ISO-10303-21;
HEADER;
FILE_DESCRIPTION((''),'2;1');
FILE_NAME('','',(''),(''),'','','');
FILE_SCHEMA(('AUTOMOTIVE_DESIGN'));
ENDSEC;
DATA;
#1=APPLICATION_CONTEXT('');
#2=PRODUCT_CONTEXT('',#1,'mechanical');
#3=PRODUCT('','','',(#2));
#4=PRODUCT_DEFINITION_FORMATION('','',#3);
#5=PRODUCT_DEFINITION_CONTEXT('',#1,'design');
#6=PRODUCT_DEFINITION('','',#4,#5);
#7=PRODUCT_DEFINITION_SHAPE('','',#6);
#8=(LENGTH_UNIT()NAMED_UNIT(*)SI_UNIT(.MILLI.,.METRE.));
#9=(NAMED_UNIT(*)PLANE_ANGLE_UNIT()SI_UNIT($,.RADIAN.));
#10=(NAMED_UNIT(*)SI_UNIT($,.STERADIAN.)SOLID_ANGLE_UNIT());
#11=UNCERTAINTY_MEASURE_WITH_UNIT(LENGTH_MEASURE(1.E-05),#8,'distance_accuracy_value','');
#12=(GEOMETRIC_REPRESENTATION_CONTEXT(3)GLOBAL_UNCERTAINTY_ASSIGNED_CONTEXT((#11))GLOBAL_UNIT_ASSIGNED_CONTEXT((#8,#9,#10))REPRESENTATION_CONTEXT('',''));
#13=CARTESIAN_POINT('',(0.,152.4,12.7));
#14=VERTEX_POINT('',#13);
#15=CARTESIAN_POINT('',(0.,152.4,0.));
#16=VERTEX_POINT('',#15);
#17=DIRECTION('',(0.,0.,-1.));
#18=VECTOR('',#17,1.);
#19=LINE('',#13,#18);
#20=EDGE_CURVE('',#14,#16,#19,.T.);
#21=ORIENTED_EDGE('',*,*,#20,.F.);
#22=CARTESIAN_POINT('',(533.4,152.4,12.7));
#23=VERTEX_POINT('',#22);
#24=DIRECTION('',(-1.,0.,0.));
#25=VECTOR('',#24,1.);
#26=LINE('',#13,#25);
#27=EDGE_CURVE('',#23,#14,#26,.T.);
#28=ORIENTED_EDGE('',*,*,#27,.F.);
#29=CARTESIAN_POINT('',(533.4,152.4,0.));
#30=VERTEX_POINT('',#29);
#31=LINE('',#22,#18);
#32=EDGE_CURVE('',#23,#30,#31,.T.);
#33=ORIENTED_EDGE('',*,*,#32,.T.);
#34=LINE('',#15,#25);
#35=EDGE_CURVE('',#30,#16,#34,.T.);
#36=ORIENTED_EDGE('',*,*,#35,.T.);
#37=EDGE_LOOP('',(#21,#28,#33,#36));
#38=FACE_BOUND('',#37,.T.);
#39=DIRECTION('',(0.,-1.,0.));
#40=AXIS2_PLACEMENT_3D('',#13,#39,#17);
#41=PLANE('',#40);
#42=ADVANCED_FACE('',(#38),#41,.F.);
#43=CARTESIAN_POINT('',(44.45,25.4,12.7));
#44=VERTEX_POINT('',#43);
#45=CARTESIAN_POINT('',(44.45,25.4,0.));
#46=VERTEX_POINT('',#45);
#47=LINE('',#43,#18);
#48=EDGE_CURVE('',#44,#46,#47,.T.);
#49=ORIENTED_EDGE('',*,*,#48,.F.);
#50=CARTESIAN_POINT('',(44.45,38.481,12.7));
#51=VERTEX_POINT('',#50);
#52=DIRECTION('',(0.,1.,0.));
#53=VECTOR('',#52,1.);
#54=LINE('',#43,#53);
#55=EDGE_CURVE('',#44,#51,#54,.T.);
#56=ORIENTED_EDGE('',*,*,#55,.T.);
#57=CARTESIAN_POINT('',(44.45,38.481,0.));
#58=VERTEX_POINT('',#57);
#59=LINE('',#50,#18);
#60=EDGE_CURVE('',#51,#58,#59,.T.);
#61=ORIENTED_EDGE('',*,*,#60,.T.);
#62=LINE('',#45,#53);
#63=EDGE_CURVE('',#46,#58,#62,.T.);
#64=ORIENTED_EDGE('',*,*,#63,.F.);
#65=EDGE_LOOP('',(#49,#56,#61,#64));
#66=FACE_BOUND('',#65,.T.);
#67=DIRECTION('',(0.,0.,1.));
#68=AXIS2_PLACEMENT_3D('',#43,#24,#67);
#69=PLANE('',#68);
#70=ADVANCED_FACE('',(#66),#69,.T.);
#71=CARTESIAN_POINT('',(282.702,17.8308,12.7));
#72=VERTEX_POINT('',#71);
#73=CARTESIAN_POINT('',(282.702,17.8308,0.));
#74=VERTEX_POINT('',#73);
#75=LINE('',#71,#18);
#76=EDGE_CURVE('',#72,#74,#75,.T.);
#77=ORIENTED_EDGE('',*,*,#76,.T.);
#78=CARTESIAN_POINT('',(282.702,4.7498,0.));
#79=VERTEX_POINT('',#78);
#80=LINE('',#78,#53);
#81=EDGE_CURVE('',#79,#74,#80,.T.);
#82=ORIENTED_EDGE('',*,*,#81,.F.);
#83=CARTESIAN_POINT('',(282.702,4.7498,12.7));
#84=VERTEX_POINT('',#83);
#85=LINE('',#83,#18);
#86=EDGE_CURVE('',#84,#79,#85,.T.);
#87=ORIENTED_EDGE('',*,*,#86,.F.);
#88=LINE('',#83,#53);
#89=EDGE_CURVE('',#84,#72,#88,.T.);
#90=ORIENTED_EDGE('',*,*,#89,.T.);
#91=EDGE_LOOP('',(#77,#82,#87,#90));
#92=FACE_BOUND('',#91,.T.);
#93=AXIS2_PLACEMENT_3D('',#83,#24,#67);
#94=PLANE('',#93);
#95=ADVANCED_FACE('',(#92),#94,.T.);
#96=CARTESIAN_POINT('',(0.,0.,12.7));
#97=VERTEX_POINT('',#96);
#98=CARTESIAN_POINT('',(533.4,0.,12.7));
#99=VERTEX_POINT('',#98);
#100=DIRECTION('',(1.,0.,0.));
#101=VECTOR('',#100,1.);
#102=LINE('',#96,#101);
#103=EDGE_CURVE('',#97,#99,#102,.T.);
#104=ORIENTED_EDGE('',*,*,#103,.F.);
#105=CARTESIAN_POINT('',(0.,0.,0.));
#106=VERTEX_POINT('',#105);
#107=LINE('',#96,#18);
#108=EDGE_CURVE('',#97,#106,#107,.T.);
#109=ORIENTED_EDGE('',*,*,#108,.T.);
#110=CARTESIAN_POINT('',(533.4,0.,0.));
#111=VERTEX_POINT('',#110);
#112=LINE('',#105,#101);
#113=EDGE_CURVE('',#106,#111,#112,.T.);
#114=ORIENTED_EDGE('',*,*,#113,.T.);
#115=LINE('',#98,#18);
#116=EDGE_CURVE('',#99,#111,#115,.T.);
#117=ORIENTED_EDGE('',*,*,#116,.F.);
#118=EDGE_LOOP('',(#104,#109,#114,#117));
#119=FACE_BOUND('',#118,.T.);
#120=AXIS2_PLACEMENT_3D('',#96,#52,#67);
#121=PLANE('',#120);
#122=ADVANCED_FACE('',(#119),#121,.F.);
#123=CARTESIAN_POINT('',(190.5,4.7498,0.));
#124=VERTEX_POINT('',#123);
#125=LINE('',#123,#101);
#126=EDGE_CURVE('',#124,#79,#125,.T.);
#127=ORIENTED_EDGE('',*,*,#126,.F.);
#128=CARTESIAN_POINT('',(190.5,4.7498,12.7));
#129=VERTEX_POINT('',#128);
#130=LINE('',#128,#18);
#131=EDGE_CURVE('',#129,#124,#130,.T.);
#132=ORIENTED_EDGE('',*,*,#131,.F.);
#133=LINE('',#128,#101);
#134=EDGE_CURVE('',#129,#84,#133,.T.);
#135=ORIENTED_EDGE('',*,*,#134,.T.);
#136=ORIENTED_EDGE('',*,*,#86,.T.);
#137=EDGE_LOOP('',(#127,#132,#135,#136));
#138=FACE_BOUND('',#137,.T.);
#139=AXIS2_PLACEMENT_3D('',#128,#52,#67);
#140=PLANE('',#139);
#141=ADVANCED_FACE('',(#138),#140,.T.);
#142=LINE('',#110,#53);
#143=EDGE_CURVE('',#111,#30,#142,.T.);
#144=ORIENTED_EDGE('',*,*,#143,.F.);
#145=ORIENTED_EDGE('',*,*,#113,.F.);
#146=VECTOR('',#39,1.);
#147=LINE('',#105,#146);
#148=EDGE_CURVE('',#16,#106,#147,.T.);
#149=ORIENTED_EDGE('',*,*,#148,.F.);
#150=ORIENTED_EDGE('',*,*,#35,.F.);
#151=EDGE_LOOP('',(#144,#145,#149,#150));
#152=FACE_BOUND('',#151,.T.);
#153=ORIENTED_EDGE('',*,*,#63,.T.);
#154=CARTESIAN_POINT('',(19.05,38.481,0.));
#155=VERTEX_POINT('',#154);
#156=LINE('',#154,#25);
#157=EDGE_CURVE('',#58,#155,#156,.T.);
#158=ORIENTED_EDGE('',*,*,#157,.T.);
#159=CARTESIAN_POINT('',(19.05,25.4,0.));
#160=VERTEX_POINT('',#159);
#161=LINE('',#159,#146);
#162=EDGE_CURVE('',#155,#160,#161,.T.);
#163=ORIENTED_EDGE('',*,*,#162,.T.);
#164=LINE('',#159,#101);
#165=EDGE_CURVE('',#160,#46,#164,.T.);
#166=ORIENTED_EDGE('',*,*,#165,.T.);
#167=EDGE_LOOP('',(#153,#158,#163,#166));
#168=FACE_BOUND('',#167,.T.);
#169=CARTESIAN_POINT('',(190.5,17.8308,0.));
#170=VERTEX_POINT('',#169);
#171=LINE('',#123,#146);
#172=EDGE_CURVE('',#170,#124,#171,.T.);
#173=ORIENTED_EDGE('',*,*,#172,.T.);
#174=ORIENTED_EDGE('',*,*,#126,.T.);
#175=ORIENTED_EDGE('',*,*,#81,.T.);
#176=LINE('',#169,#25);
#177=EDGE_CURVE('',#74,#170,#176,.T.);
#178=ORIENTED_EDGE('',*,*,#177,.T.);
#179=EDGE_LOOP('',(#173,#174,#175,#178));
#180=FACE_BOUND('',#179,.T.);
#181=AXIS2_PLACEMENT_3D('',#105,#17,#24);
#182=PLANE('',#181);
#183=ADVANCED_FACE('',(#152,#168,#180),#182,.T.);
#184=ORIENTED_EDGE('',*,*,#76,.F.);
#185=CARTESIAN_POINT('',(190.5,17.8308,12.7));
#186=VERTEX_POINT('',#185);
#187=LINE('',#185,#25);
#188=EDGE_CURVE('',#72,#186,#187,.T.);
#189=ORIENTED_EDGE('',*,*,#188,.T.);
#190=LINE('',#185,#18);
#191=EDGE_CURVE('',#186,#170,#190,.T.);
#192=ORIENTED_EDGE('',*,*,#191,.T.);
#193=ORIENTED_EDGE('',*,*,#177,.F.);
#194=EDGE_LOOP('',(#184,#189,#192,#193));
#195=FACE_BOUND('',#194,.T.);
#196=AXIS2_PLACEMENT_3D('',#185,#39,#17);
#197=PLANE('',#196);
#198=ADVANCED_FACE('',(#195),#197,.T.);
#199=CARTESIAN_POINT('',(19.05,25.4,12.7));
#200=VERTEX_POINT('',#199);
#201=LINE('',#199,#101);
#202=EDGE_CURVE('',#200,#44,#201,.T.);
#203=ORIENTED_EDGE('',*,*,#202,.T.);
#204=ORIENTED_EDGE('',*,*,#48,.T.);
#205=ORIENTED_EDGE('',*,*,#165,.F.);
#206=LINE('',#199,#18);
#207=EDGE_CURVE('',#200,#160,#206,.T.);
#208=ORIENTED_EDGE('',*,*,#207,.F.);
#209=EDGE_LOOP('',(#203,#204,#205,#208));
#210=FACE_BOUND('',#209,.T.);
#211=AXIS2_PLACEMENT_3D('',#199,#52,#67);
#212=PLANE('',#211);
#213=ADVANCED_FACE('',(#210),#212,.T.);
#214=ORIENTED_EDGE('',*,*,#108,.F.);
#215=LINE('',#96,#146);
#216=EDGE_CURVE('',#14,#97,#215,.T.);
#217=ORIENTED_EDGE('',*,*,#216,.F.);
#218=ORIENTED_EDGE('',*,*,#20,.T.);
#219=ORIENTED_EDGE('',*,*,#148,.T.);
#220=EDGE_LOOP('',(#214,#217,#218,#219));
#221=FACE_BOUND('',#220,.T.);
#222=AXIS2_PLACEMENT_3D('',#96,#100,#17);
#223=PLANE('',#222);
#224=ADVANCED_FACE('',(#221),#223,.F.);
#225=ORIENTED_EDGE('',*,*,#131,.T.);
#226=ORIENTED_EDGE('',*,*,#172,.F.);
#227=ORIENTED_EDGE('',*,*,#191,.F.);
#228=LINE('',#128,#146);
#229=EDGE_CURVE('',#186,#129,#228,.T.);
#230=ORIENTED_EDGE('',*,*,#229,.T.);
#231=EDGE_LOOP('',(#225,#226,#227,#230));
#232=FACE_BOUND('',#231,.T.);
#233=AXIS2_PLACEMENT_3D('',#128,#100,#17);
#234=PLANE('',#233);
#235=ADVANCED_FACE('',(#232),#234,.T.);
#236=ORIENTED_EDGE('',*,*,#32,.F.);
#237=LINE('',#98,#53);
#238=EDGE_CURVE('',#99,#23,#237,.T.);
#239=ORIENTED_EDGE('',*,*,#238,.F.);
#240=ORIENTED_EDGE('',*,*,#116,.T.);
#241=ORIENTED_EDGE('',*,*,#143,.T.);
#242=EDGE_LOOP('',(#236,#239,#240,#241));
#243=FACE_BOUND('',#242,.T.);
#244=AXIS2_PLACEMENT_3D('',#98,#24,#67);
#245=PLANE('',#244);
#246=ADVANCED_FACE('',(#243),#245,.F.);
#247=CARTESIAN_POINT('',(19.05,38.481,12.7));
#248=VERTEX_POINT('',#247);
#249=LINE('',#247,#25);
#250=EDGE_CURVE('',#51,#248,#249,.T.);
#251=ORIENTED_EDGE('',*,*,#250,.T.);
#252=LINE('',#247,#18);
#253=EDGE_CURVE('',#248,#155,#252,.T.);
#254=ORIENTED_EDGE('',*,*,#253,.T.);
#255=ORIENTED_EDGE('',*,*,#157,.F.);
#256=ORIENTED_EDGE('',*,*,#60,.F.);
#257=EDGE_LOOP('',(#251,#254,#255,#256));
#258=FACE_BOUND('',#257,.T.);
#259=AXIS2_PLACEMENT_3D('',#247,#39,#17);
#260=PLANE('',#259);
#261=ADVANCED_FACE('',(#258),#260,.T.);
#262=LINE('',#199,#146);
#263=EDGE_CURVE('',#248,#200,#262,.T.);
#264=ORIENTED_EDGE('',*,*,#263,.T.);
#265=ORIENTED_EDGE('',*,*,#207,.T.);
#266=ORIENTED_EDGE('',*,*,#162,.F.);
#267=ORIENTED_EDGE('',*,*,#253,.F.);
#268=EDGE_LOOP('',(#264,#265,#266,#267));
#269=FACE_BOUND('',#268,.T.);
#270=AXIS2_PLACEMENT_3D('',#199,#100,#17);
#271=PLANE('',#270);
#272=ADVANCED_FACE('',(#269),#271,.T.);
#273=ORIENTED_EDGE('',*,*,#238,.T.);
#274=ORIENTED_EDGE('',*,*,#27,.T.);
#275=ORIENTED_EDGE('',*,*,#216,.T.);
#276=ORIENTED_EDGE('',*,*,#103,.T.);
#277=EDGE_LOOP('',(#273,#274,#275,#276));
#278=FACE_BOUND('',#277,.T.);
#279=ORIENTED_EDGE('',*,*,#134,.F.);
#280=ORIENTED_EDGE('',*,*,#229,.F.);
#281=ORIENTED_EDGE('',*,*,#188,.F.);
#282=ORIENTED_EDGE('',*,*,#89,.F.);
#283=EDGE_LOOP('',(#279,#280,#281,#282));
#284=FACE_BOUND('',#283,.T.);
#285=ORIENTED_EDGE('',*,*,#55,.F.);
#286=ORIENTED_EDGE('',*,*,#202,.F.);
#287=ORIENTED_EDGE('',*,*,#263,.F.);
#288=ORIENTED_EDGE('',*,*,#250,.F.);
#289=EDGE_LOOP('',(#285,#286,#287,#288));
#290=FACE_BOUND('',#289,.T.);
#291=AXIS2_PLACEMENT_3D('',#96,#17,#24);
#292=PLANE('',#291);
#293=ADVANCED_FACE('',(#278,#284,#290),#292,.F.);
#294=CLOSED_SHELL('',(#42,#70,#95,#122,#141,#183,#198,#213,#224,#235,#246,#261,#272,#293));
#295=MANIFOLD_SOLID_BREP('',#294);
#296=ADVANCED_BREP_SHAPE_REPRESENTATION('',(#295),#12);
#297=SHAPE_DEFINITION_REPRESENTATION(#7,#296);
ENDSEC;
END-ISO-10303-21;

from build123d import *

# Parameters (mm, degrees)
SKETCH1_W           = 533.4
SKETCH1_H           = 152.4
BOSS_EXTRUDE1_DEPTH = 12.7
SKETCH2_W           = 25.4
SKETCH2_H           = 13.081
CUT_EXTRUDE1_DEPTH  = 555.889727784
SKETCH3_W           = 92.202
SKETCH3_H           = 13.081
CUT_EXTRUDE2_DEPTH  = 555.889727784


with BuildPart() as part:
    # Sketch1 → Boss-Extrude1 (new body)
    with BuildSketch(Plane.XY):
        with Locations((266.7, 76.2)):
            Rectangle(SKETCH1_W, SKETCH1_H)
    extrude(amount=BOSS_EXTRUDE1_DEPTH)

    # Sketch2 → Cut-Extrude1 (cut, through all)
    with BuildSketch(Plane.XY):
        with Locations((31.75, 31.9405)):
            Rectangle(SKETCH2_W, SKETCH2_H)
    extrude(amount=CUT_EXTRUDE1_DEPTH, mode=Mode.SUBTRACT)

    # Sketch3 → Cut-Extrude2 (cut, through all)
    with BuildSketch(Plane.XY):
        with Locations((236.601, 11.2903)):
            Rectangle(SKETCH3_W, SKETCH3_H)
    extrude(amount=CUT_EXTRUDE2_DEPTH, mode=Mode.SUBTRACT)


solid = part.part
